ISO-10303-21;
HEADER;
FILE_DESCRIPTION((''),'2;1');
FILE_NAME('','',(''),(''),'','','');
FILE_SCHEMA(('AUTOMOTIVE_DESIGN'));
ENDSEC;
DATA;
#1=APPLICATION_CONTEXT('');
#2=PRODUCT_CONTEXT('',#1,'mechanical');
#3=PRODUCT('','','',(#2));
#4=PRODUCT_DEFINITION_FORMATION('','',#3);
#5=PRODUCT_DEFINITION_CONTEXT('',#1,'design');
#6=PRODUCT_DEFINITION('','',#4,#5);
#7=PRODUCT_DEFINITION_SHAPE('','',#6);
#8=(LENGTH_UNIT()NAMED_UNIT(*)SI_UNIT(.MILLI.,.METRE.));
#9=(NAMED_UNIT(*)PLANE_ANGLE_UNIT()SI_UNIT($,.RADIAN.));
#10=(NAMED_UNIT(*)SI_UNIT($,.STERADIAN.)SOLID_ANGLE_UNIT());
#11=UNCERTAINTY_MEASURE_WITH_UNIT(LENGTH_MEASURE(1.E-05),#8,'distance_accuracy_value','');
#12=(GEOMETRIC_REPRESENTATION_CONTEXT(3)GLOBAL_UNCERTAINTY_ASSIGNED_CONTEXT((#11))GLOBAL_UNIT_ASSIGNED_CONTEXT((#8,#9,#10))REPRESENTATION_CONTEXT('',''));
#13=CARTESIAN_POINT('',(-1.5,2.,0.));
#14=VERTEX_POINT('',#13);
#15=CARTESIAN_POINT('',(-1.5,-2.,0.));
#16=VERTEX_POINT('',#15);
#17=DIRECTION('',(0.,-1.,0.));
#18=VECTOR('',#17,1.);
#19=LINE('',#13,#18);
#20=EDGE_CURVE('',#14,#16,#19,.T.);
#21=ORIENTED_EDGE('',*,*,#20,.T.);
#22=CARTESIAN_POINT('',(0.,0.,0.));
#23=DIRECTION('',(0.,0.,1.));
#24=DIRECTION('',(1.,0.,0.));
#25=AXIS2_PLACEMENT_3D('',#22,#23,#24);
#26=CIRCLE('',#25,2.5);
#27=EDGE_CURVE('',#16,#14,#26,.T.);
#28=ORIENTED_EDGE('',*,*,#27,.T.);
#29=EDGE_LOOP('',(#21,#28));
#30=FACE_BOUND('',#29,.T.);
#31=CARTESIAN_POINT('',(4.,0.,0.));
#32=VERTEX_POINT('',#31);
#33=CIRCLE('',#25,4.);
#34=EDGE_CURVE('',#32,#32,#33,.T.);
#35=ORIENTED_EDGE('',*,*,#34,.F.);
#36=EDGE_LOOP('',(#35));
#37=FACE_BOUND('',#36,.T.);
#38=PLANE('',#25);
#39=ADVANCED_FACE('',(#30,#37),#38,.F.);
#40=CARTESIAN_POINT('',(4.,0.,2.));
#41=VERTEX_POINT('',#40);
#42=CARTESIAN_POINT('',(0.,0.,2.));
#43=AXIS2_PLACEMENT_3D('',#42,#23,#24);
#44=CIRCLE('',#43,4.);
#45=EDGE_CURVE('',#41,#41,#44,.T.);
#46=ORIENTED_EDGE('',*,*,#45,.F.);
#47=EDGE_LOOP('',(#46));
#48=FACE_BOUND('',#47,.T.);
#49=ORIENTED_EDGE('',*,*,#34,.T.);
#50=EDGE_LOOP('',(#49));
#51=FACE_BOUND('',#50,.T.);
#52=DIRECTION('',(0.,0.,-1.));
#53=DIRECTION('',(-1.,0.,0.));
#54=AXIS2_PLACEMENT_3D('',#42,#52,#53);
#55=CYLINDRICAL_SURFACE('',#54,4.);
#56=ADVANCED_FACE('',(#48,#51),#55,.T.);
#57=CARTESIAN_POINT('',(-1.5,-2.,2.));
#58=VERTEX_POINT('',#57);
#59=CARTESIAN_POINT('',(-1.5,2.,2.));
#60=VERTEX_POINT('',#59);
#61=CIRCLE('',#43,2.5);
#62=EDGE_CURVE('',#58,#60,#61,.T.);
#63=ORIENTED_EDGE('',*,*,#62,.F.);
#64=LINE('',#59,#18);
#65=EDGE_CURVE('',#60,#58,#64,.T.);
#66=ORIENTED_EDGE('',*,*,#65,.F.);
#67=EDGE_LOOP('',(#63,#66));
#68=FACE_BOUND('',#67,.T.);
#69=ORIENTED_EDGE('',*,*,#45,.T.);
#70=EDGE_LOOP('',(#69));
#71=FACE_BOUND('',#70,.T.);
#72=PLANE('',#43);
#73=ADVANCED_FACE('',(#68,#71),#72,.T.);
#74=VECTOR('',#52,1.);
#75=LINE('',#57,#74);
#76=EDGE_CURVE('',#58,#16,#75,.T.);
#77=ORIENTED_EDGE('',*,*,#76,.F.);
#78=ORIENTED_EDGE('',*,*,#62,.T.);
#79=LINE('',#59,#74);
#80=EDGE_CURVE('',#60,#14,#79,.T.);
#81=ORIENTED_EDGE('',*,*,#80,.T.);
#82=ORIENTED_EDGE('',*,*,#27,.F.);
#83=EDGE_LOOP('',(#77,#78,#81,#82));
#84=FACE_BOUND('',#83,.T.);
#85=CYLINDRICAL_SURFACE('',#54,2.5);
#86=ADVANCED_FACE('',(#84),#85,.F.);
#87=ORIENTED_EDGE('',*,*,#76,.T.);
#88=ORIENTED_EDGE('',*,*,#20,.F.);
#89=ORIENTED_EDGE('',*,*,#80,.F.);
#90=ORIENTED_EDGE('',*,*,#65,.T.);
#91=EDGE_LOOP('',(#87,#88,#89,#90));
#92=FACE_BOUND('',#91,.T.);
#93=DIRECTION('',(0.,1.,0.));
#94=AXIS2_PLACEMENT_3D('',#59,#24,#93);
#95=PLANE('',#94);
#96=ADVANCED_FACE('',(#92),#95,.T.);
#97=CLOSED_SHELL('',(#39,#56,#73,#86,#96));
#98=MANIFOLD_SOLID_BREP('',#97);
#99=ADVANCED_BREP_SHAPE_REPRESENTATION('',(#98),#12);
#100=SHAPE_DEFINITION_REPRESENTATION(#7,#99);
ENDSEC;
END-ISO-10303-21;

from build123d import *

# Parameters (mm, degrees)
SKETCH1_R           = 4
BOSS_EXTRUDE1_DEPTH = 2


with BuildPart() as part:
    # Sketch1 → Boss-Extrude1 (new body)
    with BuildSketch(Plane.XY):
        Circle(SKETCH1_R)
        with BuildLine():
            Line((-1.5, 2), (-1.5, -2))
            ThreePointArc((-1.5, -2), (2.5, 0), (-1.5, 2))
        make_face(mode=Mode.SUBTRACT)
    extrude(amount=BOSS_EXTRUDE1_DEPTH)


solid = part.part
